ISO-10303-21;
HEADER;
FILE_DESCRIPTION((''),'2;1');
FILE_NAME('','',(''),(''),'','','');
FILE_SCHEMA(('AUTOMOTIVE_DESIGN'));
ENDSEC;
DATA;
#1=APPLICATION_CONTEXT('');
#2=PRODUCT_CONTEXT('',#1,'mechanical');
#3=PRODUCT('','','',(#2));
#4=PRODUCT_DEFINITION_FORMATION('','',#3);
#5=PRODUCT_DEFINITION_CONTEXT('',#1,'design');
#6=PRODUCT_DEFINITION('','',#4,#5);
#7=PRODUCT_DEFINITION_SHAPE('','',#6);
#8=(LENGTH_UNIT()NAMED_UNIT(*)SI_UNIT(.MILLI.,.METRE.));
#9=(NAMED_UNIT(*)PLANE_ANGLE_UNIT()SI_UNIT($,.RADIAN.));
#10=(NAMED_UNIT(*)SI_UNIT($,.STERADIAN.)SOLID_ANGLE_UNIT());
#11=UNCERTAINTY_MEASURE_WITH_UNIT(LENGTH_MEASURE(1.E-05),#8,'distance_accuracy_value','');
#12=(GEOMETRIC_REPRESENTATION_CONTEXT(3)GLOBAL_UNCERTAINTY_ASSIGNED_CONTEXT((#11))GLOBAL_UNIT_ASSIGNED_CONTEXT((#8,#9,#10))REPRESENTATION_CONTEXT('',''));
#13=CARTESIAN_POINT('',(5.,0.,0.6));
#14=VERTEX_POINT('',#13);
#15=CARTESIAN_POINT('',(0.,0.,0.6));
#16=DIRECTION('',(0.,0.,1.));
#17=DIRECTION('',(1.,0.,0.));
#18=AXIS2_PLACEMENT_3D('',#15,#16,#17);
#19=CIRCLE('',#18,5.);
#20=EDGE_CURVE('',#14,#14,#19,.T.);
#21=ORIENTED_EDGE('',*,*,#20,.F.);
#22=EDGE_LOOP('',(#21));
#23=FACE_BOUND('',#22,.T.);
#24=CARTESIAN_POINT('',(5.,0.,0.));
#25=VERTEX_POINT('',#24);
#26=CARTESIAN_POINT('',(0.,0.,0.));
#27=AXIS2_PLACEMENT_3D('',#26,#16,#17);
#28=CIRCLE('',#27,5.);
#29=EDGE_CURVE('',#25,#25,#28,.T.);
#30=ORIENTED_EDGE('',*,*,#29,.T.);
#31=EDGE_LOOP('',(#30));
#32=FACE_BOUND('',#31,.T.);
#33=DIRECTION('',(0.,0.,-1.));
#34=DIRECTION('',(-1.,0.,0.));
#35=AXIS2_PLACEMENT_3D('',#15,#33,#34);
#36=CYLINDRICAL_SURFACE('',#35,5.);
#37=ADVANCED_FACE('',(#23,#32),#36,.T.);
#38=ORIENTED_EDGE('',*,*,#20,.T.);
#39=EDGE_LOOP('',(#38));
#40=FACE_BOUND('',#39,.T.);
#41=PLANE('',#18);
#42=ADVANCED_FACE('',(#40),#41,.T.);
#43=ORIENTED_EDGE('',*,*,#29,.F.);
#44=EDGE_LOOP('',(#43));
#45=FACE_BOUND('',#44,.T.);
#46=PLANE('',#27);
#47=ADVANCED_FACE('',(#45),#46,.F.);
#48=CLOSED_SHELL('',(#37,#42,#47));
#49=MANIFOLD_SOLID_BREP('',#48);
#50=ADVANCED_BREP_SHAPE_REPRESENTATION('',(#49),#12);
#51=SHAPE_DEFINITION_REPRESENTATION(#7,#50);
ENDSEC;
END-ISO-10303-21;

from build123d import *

# Parameters (mm, degrees)
SKICA1_R                = 5
P_IDAT_VYSUNUT_M1_DEPTH = 0.6


with BuildPart() as part:
    # Skica1 → Přidat vysunutím1 (new body)
    with BuildSketch(Plane.XY):
        Circle(SKICA1_R)
    extrude(amount=P_IDAT_VYSUNUT_M1_DEPTH)


solid = part.part
